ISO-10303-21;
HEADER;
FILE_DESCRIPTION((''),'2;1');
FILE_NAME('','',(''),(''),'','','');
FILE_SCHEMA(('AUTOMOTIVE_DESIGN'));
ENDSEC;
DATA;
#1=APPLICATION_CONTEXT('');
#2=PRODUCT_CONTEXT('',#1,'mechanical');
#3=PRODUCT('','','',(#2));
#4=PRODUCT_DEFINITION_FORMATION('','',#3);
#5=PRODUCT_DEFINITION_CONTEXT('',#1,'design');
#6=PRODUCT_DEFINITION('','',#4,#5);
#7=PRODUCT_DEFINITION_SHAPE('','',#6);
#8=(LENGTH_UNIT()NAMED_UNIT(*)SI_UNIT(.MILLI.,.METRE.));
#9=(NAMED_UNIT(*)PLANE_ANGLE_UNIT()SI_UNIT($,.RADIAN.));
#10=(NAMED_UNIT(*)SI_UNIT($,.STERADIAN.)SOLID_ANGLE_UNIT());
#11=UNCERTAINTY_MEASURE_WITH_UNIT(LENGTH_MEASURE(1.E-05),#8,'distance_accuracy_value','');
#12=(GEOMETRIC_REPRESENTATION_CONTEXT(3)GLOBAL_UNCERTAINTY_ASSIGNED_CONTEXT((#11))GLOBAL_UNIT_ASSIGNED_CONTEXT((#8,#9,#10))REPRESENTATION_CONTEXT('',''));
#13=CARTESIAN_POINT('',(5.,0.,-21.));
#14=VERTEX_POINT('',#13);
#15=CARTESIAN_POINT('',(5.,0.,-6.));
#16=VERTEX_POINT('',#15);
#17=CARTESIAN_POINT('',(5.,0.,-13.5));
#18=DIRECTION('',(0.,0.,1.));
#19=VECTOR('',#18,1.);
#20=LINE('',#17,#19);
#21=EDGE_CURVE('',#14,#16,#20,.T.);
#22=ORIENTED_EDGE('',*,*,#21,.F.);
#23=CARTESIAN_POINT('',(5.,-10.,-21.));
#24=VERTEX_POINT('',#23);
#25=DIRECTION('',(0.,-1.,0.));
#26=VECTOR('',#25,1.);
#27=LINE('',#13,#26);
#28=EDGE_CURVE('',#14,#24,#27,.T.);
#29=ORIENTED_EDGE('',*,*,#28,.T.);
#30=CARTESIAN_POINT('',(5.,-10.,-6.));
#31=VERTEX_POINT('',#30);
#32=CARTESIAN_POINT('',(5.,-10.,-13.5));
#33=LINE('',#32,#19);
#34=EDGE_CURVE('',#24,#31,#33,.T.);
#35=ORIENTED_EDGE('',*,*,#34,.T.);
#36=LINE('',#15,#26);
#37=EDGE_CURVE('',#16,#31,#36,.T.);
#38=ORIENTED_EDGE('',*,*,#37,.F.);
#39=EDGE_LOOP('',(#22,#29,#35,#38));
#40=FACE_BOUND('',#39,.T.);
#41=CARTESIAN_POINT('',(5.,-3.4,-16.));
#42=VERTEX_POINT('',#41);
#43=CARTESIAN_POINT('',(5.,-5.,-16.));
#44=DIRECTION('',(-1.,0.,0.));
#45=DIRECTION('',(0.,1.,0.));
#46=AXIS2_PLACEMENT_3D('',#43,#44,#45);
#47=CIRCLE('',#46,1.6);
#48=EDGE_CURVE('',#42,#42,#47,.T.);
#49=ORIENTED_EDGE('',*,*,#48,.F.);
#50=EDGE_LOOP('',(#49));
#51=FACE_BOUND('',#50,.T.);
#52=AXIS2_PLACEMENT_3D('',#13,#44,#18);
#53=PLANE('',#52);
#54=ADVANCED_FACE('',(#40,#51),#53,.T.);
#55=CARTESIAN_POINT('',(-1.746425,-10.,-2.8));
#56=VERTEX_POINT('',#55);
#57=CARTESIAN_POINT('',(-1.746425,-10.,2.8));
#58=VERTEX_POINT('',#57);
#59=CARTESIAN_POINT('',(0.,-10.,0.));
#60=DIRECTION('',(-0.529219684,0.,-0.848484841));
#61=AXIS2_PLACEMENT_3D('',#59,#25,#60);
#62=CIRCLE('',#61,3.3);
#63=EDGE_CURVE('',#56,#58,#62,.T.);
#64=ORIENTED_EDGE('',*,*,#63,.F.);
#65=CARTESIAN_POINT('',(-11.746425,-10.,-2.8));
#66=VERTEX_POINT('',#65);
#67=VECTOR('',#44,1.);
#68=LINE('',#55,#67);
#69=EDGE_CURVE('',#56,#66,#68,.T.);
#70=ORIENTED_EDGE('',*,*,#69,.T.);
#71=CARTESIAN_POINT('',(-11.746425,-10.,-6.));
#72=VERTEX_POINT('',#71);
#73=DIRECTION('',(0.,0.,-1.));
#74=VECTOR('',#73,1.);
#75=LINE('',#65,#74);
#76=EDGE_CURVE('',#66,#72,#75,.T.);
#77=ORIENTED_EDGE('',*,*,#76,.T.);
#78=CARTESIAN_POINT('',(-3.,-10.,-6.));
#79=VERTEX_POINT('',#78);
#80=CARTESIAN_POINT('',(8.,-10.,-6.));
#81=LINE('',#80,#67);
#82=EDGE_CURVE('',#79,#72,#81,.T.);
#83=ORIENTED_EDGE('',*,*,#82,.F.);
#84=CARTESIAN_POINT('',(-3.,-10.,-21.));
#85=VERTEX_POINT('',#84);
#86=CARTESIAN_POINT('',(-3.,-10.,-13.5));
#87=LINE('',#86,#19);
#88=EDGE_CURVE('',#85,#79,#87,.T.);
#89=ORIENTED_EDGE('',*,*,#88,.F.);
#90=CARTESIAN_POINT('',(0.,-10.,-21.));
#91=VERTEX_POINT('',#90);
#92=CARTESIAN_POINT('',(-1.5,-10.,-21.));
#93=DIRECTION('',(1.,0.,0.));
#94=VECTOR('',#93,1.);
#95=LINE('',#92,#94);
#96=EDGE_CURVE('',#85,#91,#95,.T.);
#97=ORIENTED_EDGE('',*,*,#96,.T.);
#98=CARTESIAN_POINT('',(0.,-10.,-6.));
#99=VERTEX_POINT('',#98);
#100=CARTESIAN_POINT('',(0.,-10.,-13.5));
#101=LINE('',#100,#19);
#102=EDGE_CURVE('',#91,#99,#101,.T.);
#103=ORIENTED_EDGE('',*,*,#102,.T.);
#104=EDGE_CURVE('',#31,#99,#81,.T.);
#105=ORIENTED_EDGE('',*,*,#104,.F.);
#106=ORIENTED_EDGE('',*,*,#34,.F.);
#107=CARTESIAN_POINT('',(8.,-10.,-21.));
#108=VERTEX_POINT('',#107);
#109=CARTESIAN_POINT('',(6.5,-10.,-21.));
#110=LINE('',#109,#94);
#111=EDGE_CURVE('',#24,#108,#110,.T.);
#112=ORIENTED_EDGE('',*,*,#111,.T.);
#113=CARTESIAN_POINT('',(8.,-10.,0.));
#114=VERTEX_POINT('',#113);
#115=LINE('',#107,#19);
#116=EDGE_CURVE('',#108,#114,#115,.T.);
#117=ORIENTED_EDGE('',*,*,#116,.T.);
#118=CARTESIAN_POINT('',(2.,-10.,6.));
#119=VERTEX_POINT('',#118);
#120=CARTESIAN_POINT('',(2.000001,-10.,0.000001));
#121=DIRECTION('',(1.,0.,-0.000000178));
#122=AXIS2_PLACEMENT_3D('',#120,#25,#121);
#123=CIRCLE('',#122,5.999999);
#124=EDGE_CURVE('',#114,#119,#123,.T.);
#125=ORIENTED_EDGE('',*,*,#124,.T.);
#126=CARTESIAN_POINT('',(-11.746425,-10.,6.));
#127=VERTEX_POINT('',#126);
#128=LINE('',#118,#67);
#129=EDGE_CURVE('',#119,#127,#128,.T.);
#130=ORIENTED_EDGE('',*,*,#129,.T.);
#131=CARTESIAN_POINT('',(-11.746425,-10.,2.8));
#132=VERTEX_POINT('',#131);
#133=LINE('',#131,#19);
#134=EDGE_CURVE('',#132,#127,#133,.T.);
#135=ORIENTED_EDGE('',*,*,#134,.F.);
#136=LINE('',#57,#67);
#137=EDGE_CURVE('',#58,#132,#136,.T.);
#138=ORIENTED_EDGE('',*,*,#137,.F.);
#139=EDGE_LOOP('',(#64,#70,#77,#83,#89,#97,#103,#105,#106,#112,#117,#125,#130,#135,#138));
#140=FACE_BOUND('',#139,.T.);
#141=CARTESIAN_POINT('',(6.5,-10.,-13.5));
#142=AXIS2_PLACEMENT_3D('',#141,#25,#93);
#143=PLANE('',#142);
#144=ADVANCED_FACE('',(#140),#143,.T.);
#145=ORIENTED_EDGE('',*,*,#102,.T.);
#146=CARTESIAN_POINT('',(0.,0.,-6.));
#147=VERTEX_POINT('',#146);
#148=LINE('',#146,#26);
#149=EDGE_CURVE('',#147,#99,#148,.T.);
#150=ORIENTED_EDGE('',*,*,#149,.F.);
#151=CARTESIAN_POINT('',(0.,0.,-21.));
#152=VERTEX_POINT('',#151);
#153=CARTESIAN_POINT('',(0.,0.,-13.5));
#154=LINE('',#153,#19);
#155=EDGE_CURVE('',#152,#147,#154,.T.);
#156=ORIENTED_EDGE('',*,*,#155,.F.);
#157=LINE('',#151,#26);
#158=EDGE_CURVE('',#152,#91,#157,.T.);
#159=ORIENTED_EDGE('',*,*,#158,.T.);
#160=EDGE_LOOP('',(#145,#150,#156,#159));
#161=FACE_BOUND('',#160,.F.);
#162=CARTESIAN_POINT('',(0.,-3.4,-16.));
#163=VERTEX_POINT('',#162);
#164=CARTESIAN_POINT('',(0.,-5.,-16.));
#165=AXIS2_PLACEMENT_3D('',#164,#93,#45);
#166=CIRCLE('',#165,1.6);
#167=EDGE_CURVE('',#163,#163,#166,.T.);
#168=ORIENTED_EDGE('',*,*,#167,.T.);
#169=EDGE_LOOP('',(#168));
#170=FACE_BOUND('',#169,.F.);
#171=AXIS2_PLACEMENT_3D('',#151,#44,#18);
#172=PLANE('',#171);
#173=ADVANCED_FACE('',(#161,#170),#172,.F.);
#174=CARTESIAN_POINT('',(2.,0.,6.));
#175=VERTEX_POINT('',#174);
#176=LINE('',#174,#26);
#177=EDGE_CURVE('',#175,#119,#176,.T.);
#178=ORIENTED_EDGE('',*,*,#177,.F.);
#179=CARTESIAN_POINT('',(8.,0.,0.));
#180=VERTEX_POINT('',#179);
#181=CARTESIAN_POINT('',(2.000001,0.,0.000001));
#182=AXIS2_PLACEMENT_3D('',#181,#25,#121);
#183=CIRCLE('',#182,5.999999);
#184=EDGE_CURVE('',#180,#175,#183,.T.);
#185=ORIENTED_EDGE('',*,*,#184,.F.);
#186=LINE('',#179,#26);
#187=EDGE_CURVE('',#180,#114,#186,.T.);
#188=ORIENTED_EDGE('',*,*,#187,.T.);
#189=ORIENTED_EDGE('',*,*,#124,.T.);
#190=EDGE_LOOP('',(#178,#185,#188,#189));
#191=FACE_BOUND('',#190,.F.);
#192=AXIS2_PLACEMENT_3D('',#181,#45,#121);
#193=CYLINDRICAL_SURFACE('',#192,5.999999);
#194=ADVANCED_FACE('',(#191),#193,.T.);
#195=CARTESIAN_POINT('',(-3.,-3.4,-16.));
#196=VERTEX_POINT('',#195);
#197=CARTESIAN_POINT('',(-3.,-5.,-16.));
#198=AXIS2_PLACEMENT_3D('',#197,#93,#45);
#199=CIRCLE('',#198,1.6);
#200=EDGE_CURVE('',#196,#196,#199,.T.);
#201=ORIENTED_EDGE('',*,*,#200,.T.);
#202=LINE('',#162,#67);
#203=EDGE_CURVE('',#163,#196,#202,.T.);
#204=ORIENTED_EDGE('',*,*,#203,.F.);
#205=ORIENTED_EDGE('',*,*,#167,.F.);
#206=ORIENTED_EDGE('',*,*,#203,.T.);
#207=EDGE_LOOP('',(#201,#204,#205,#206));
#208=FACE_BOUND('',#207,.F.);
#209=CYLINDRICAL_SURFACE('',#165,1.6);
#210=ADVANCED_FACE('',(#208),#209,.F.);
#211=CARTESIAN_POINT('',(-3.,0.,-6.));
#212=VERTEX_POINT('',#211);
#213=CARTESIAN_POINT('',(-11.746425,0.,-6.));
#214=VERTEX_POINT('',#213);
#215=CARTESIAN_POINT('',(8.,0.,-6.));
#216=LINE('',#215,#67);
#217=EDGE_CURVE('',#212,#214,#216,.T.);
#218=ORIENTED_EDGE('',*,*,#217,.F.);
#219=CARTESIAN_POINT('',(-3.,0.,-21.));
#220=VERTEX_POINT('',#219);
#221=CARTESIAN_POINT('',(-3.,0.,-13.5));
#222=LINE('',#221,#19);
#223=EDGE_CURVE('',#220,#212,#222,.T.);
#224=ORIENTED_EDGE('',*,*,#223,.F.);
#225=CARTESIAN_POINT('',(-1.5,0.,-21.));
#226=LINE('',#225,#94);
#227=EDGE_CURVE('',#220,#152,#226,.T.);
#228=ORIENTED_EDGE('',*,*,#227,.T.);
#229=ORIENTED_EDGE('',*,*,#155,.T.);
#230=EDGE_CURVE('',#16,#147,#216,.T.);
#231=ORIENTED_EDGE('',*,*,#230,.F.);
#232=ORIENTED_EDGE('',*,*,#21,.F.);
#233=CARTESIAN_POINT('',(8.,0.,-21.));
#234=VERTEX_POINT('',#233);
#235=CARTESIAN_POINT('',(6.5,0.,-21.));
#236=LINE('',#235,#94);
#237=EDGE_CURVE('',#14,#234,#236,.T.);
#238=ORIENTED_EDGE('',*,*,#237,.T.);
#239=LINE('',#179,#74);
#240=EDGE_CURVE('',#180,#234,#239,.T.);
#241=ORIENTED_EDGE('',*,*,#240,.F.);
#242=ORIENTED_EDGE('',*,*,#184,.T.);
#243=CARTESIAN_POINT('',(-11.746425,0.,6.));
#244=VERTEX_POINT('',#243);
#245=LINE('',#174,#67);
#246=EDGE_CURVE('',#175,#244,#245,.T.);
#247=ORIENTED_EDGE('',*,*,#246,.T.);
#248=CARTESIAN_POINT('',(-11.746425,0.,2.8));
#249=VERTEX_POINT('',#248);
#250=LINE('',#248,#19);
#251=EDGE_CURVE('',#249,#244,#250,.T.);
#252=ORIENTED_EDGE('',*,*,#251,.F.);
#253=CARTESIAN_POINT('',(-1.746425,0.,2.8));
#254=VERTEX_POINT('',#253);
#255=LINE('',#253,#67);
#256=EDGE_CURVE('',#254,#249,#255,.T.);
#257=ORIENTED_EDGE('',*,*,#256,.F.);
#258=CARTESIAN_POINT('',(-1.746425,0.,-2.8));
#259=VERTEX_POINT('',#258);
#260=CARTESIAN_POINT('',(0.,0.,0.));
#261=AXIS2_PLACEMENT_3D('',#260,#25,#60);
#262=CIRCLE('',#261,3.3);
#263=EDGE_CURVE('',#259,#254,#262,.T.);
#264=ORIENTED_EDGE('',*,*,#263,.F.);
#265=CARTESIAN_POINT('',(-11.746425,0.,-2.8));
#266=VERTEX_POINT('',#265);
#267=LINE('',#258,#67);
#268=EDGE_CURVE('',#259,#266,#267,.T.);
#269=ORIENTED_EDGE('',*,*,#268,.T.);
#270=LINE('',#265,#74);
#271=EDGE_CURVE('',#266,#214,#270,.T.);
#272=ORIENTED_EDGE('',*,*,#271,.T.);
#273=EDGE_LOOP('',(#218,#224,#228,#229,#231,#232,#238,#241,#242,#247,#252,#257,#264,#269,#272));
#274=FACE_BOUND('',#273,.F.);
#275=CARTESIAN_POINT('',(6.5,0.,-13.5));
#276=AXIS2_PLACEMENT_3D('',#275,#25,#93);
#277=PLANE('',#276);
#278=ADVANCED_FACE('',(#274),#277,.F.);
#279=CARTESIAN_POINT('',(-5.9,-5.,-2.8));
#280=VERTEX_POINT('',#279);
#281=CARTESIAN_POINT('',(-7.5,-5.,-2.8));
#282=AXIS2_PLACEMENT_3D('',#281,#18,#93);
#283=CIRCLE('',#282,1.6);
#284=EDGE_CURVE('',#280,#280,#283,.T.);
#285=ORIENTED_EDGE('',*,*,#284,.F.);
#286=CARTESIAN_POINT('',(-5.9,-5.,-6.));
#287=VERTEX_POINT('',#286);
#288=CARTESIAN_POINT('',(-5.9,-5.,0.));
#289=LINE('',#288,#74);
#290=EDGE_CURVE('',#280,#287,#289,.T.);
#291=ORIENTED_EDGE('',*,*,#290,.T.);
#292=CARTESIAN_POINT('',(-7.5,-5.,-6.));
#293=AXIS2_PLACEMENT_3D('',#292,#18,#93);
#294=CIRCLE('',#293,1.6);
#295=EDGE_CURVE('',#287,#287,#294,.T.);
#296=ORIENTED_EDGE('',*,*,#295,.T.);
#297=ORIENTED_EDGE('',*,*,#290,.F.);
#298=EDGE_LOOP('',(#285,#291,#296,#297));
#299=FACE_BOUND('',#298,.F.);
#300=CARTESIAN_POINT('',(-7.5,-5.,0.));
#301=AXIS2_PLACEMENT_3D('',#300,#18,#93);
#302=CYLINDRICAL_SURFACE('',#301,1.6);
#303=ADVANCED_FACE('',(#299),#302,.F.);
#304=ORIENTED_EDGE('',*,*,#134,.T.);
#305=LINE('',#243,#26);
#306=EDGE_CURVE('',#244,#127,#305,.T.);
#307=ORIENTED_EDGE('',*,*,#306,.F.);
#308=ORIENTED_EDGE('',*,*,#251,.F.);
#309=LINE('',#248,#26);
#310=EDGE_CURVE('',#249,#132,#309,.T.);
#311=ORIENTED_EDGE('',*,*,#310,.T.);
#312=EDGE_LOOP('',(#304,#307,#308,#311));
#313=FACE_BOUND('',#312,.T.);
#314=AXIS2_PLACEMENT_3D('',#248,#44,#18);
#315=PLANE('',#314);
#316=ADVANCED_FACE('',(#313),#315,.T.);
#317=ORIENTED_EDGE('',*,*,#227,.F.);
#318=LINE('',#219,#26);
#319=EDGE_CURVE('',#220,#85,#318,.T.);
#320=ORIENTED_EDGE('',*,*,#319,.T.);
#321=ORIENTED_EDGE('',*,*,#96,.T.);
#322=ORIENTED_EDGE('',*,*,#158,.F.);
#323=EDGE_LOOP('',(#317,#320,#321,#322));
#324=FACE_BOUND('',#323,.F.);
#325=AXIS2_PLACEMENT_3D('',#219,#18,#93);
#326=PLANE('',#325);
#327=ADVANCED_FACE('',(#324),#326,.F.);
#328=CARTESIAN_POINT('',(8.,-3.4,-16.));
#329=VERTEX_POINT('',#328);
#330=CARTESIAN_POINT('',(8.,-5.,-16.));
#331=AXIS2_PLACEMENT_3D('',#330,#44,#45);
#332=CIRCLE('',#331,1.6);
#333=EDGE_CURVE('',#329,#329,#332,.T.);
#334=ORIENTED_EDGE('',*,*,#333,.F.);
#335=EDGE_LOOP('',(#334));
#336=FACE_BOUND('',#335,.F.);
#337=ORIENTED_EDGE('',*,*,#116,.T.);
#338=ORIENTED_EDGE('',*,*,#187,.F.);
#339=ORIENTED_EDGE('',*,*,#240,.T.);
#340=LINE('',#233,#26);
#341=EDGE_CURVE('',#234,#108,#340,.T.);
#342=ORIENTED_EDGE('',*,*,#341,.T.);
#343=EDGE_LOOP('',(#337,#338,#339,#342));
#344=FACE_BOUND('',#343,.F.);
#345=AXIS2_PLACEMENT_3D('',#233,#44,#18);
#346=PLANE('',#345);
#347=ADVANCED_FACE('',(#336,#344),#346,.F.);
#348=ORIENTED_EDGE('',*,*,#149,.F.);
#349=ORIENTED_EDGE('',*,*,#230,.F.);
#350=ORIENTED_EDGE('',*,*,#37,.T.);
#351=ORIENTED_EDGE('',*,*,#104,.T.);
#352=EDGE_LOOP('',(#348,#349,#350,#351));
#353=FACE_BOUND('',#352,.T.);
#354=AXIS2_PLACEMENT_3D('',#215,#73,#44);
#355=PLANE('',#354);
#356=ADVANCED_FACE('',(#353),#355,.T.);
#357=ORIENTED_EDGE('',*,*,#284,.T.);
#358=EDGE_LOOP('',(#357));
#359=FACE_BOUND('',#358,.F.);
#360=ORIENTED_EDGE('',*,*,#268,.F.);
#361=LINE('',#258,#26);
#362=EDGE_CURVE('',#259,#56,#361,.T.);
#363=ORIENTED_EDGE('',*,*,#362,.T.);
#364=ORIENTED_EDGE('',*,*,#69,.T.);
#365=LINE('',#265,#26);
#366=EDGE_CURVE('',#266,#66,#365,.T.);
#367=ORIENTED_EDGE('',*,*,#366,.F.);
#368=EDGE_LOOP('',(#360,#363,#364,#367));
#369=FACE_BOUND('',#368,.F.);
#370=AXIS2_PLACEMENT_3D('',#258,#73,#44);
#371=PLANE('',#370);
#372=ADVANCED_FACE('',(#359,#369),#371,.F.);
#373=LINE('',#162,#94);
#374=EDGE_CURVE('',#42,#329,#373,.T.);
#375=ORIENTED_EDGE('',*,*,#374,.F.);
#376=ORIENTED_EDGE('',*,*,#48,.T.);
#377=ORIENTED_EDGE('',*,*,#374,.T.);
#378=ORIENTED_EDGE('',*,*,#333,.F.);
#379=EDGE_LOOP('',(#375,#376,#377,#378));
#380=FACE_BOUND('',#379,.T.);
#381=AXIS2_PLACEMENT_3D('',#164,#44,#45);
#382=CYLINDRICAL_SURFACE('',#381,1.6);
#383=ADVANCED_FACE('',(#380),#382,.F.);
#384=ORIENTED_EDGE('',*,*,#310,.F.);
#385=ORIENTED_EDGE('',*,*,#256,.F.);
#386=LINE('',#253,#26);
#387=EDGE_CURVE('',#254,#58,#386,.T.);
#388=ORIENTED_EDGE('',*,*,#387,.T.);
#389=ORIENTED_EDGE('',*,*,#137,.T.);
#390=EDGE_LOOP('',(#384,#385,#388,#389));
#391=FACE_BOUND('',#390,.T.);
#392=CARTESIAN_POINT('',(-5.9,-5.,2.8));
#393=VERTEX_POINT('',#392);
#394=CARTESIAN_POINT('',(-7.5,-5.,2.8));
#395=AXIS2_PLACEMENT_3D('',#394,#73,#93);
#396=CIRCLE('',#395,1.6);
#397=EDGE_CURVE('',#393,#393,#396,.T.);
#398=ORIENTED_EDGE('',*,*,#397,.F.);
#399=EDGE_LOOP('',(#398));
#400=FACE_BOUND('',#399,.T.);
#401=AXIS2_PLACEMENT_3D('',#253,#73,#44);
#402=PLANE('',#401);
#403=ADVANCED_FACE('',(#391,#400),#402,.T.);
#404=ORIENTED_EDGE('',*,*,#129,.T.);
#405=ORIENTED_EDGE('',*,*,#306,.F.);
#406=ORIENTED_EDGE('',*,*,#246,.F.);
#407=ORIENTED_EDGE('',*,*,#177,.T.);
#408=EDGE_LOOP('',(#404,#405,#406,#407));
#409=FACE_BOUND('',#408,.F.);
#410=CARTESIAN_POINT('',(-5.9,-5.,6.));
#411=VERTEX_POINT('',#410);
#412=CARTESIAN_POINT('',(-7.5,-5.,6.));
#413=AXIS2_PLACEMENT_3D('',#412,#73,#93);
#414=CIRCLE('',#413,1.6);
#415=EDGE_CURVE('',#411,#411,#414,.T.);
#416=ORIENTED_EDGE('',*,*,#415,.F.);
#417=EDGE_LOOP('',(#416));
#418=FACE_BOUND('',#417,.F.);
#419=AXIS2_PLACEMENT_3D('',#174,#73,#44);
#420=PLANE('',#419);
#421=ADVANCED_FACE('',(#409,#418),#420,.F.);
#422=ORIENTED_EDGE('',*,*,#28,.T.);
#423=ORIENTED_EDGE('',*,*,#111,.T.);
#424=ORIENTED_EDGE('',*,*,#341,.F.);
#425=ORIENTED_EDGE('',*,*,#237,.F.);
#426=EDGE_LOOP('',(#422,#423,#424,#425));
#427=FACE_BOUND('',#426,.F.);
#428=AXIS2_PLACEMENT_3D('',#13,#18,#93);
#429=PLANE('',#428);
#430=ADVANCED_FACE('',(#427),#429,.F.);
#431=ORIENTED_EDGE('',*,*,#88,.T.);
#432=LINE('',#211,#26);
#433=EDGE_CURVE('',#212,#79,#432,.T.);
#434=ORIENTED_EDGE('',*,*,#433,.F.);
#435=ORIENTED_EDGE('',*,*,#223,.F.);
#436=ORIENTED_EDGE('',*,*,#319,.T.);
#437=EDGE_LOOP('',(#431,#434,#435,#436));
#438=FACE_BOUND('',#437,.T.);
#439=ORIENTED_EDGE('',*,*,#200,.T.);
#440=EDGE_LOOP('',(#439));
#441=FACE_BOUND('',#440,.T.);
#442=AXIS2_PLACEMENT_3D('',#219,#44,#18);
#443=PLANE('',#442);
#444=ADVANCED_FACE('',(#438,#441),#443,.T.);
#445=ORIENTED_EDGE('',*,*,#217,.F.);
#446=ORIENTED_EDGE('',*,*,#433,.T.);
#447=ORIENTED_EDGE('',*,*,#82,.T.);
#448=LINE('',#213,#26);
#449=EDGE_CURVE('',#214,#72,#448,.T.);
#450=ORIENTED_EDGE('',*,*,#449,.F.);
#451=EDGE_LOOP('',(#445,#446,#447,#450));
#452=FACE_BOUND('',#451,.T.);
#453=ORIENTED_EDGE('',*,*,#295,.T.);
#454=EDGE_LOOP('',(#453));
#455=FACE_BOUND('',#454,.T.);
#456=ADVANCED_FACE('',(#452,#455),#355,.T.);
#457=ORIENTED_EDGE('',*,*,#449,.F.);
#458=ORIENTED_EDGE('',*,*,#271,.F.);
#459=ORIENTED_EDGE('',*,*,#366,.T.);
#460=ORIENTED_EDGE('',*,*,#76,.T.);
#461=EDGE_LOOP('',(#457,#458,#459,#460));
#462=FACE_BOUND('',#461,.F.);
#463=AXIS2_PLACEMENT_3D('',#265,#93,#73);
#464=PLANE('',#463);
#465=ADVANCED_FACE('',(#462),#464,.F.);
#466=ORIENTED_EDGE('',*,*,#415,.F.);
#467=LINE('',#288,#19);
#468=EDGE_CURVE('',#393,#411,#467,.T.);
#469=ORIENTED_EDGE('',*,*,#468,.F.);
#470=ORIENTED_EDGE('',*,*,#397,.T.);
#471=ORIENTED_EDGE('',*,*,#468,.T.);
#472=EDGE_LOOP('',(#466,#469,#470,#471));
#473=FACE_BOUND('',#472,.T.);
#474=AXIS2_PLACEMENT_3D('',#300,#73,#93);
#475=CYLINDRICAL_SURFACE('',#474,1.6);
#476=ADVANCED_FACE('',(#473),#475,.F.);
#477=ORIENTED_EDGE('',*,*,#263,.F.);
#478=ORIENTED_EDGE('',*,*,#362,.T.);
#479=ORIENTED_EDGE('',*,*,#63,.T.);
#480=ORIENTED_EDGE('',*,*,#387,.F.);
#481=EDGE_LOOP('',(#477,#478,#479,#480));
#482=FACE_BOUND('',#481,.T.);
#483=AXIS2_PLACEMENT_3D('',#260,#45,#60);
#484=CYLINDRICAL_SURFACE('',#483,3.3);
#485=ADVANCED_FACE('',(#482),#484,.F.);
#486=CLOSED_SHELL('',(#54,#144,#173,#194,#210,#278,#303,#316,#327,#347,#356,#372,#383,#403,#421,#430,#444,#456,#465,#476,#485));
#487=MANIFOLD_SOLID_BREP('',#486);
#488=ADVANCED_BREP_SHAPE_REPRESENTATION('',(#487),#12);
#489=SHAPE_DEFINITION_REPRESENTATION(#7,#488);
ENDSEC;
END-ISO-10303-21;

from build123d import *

# Parameters (mm, degrees)
PAD_DEPTH            = 10
SKETCH005_R          = 1.6
POCKET001_DEPTH      = 6.001
POCKET001_DEPTH_BACK = -6.001
SKETCH_W             = 3
SKETCH_H             = 15
PAD001_DEPTH         = 10
SKETCH006_R          = 1.6
POCKET_DEPTH         = 8.001
POCKET_DEPTH_BACK    = 11.747425


with BuildPart() as part:
    # Sketch003 → Pad (new body)
    with BuildSketch(Plane.XZ):
        with BuildLine():
            Line((8, -6), (-11.746425, -6))
            Line((-11.746425, -2.8), (-11.746425, -6))
            Line((-1.746425, -2.8), (-11.746425, -2.8))
            ThreePointArc((-1.746425, -2.8), (3.3, 0), (-1.746425, 2.8))
            Line((-1.746425, 2.8), (-11.746425, 2.8))
            Line((-11.746425, 2.8), (-11.746425, 6))
            Line((2, 6), (-11.746425, 6))
            ThreePointArc((8, 0), (6.242641, 4.242641), (2, 6))
            Line((8, 0), (8, -6))
        make_face()
    extrude(amount=PAD_DEPTH)

    # Sketch005 → Pocket001 (cut, two sides)
    with BuildSketch(Plane.XY) as pocket001_sk:
        with Locations((-7.5, -5)):
            Circle(SKETCH005_R)
    extrude(amount=-POCKET001_DEPTH, mode=Mode.SUBTRACT)
    extrude(pocket001_sk.sketch, amount=-POCKET001_DEPTH_BACK, mode=Mode.SUBTRACT)

    # Sketch → Pad001 (join)
    with BuildSketch(Plane.XZ):
        with Locations((6.5, -13.5)):
            Rectangle(SKETCH_W, SKETCH_H)
        with Locations((-1.5, -13.5)):
            Rectangle(SKETCH_W, SKETCH_H)
    extrude(amount=PAD001_DEPTH)

    # Sketch006 → Pocket (cut, two sides)
    with BuildSketch(Plane.YZ) as pocket_sk:
        with Locations((-5, -16)):
            Circle(SKETCH006_R)
    extrude(amount=POCKET_DEPTH, mode=Mode.SUBTRACT)
    extrude(pocket_sk.sketch, amount=-POCKET_DEPTH_BACK, mode=Mode.SUBTRACT)


solid = part.part
